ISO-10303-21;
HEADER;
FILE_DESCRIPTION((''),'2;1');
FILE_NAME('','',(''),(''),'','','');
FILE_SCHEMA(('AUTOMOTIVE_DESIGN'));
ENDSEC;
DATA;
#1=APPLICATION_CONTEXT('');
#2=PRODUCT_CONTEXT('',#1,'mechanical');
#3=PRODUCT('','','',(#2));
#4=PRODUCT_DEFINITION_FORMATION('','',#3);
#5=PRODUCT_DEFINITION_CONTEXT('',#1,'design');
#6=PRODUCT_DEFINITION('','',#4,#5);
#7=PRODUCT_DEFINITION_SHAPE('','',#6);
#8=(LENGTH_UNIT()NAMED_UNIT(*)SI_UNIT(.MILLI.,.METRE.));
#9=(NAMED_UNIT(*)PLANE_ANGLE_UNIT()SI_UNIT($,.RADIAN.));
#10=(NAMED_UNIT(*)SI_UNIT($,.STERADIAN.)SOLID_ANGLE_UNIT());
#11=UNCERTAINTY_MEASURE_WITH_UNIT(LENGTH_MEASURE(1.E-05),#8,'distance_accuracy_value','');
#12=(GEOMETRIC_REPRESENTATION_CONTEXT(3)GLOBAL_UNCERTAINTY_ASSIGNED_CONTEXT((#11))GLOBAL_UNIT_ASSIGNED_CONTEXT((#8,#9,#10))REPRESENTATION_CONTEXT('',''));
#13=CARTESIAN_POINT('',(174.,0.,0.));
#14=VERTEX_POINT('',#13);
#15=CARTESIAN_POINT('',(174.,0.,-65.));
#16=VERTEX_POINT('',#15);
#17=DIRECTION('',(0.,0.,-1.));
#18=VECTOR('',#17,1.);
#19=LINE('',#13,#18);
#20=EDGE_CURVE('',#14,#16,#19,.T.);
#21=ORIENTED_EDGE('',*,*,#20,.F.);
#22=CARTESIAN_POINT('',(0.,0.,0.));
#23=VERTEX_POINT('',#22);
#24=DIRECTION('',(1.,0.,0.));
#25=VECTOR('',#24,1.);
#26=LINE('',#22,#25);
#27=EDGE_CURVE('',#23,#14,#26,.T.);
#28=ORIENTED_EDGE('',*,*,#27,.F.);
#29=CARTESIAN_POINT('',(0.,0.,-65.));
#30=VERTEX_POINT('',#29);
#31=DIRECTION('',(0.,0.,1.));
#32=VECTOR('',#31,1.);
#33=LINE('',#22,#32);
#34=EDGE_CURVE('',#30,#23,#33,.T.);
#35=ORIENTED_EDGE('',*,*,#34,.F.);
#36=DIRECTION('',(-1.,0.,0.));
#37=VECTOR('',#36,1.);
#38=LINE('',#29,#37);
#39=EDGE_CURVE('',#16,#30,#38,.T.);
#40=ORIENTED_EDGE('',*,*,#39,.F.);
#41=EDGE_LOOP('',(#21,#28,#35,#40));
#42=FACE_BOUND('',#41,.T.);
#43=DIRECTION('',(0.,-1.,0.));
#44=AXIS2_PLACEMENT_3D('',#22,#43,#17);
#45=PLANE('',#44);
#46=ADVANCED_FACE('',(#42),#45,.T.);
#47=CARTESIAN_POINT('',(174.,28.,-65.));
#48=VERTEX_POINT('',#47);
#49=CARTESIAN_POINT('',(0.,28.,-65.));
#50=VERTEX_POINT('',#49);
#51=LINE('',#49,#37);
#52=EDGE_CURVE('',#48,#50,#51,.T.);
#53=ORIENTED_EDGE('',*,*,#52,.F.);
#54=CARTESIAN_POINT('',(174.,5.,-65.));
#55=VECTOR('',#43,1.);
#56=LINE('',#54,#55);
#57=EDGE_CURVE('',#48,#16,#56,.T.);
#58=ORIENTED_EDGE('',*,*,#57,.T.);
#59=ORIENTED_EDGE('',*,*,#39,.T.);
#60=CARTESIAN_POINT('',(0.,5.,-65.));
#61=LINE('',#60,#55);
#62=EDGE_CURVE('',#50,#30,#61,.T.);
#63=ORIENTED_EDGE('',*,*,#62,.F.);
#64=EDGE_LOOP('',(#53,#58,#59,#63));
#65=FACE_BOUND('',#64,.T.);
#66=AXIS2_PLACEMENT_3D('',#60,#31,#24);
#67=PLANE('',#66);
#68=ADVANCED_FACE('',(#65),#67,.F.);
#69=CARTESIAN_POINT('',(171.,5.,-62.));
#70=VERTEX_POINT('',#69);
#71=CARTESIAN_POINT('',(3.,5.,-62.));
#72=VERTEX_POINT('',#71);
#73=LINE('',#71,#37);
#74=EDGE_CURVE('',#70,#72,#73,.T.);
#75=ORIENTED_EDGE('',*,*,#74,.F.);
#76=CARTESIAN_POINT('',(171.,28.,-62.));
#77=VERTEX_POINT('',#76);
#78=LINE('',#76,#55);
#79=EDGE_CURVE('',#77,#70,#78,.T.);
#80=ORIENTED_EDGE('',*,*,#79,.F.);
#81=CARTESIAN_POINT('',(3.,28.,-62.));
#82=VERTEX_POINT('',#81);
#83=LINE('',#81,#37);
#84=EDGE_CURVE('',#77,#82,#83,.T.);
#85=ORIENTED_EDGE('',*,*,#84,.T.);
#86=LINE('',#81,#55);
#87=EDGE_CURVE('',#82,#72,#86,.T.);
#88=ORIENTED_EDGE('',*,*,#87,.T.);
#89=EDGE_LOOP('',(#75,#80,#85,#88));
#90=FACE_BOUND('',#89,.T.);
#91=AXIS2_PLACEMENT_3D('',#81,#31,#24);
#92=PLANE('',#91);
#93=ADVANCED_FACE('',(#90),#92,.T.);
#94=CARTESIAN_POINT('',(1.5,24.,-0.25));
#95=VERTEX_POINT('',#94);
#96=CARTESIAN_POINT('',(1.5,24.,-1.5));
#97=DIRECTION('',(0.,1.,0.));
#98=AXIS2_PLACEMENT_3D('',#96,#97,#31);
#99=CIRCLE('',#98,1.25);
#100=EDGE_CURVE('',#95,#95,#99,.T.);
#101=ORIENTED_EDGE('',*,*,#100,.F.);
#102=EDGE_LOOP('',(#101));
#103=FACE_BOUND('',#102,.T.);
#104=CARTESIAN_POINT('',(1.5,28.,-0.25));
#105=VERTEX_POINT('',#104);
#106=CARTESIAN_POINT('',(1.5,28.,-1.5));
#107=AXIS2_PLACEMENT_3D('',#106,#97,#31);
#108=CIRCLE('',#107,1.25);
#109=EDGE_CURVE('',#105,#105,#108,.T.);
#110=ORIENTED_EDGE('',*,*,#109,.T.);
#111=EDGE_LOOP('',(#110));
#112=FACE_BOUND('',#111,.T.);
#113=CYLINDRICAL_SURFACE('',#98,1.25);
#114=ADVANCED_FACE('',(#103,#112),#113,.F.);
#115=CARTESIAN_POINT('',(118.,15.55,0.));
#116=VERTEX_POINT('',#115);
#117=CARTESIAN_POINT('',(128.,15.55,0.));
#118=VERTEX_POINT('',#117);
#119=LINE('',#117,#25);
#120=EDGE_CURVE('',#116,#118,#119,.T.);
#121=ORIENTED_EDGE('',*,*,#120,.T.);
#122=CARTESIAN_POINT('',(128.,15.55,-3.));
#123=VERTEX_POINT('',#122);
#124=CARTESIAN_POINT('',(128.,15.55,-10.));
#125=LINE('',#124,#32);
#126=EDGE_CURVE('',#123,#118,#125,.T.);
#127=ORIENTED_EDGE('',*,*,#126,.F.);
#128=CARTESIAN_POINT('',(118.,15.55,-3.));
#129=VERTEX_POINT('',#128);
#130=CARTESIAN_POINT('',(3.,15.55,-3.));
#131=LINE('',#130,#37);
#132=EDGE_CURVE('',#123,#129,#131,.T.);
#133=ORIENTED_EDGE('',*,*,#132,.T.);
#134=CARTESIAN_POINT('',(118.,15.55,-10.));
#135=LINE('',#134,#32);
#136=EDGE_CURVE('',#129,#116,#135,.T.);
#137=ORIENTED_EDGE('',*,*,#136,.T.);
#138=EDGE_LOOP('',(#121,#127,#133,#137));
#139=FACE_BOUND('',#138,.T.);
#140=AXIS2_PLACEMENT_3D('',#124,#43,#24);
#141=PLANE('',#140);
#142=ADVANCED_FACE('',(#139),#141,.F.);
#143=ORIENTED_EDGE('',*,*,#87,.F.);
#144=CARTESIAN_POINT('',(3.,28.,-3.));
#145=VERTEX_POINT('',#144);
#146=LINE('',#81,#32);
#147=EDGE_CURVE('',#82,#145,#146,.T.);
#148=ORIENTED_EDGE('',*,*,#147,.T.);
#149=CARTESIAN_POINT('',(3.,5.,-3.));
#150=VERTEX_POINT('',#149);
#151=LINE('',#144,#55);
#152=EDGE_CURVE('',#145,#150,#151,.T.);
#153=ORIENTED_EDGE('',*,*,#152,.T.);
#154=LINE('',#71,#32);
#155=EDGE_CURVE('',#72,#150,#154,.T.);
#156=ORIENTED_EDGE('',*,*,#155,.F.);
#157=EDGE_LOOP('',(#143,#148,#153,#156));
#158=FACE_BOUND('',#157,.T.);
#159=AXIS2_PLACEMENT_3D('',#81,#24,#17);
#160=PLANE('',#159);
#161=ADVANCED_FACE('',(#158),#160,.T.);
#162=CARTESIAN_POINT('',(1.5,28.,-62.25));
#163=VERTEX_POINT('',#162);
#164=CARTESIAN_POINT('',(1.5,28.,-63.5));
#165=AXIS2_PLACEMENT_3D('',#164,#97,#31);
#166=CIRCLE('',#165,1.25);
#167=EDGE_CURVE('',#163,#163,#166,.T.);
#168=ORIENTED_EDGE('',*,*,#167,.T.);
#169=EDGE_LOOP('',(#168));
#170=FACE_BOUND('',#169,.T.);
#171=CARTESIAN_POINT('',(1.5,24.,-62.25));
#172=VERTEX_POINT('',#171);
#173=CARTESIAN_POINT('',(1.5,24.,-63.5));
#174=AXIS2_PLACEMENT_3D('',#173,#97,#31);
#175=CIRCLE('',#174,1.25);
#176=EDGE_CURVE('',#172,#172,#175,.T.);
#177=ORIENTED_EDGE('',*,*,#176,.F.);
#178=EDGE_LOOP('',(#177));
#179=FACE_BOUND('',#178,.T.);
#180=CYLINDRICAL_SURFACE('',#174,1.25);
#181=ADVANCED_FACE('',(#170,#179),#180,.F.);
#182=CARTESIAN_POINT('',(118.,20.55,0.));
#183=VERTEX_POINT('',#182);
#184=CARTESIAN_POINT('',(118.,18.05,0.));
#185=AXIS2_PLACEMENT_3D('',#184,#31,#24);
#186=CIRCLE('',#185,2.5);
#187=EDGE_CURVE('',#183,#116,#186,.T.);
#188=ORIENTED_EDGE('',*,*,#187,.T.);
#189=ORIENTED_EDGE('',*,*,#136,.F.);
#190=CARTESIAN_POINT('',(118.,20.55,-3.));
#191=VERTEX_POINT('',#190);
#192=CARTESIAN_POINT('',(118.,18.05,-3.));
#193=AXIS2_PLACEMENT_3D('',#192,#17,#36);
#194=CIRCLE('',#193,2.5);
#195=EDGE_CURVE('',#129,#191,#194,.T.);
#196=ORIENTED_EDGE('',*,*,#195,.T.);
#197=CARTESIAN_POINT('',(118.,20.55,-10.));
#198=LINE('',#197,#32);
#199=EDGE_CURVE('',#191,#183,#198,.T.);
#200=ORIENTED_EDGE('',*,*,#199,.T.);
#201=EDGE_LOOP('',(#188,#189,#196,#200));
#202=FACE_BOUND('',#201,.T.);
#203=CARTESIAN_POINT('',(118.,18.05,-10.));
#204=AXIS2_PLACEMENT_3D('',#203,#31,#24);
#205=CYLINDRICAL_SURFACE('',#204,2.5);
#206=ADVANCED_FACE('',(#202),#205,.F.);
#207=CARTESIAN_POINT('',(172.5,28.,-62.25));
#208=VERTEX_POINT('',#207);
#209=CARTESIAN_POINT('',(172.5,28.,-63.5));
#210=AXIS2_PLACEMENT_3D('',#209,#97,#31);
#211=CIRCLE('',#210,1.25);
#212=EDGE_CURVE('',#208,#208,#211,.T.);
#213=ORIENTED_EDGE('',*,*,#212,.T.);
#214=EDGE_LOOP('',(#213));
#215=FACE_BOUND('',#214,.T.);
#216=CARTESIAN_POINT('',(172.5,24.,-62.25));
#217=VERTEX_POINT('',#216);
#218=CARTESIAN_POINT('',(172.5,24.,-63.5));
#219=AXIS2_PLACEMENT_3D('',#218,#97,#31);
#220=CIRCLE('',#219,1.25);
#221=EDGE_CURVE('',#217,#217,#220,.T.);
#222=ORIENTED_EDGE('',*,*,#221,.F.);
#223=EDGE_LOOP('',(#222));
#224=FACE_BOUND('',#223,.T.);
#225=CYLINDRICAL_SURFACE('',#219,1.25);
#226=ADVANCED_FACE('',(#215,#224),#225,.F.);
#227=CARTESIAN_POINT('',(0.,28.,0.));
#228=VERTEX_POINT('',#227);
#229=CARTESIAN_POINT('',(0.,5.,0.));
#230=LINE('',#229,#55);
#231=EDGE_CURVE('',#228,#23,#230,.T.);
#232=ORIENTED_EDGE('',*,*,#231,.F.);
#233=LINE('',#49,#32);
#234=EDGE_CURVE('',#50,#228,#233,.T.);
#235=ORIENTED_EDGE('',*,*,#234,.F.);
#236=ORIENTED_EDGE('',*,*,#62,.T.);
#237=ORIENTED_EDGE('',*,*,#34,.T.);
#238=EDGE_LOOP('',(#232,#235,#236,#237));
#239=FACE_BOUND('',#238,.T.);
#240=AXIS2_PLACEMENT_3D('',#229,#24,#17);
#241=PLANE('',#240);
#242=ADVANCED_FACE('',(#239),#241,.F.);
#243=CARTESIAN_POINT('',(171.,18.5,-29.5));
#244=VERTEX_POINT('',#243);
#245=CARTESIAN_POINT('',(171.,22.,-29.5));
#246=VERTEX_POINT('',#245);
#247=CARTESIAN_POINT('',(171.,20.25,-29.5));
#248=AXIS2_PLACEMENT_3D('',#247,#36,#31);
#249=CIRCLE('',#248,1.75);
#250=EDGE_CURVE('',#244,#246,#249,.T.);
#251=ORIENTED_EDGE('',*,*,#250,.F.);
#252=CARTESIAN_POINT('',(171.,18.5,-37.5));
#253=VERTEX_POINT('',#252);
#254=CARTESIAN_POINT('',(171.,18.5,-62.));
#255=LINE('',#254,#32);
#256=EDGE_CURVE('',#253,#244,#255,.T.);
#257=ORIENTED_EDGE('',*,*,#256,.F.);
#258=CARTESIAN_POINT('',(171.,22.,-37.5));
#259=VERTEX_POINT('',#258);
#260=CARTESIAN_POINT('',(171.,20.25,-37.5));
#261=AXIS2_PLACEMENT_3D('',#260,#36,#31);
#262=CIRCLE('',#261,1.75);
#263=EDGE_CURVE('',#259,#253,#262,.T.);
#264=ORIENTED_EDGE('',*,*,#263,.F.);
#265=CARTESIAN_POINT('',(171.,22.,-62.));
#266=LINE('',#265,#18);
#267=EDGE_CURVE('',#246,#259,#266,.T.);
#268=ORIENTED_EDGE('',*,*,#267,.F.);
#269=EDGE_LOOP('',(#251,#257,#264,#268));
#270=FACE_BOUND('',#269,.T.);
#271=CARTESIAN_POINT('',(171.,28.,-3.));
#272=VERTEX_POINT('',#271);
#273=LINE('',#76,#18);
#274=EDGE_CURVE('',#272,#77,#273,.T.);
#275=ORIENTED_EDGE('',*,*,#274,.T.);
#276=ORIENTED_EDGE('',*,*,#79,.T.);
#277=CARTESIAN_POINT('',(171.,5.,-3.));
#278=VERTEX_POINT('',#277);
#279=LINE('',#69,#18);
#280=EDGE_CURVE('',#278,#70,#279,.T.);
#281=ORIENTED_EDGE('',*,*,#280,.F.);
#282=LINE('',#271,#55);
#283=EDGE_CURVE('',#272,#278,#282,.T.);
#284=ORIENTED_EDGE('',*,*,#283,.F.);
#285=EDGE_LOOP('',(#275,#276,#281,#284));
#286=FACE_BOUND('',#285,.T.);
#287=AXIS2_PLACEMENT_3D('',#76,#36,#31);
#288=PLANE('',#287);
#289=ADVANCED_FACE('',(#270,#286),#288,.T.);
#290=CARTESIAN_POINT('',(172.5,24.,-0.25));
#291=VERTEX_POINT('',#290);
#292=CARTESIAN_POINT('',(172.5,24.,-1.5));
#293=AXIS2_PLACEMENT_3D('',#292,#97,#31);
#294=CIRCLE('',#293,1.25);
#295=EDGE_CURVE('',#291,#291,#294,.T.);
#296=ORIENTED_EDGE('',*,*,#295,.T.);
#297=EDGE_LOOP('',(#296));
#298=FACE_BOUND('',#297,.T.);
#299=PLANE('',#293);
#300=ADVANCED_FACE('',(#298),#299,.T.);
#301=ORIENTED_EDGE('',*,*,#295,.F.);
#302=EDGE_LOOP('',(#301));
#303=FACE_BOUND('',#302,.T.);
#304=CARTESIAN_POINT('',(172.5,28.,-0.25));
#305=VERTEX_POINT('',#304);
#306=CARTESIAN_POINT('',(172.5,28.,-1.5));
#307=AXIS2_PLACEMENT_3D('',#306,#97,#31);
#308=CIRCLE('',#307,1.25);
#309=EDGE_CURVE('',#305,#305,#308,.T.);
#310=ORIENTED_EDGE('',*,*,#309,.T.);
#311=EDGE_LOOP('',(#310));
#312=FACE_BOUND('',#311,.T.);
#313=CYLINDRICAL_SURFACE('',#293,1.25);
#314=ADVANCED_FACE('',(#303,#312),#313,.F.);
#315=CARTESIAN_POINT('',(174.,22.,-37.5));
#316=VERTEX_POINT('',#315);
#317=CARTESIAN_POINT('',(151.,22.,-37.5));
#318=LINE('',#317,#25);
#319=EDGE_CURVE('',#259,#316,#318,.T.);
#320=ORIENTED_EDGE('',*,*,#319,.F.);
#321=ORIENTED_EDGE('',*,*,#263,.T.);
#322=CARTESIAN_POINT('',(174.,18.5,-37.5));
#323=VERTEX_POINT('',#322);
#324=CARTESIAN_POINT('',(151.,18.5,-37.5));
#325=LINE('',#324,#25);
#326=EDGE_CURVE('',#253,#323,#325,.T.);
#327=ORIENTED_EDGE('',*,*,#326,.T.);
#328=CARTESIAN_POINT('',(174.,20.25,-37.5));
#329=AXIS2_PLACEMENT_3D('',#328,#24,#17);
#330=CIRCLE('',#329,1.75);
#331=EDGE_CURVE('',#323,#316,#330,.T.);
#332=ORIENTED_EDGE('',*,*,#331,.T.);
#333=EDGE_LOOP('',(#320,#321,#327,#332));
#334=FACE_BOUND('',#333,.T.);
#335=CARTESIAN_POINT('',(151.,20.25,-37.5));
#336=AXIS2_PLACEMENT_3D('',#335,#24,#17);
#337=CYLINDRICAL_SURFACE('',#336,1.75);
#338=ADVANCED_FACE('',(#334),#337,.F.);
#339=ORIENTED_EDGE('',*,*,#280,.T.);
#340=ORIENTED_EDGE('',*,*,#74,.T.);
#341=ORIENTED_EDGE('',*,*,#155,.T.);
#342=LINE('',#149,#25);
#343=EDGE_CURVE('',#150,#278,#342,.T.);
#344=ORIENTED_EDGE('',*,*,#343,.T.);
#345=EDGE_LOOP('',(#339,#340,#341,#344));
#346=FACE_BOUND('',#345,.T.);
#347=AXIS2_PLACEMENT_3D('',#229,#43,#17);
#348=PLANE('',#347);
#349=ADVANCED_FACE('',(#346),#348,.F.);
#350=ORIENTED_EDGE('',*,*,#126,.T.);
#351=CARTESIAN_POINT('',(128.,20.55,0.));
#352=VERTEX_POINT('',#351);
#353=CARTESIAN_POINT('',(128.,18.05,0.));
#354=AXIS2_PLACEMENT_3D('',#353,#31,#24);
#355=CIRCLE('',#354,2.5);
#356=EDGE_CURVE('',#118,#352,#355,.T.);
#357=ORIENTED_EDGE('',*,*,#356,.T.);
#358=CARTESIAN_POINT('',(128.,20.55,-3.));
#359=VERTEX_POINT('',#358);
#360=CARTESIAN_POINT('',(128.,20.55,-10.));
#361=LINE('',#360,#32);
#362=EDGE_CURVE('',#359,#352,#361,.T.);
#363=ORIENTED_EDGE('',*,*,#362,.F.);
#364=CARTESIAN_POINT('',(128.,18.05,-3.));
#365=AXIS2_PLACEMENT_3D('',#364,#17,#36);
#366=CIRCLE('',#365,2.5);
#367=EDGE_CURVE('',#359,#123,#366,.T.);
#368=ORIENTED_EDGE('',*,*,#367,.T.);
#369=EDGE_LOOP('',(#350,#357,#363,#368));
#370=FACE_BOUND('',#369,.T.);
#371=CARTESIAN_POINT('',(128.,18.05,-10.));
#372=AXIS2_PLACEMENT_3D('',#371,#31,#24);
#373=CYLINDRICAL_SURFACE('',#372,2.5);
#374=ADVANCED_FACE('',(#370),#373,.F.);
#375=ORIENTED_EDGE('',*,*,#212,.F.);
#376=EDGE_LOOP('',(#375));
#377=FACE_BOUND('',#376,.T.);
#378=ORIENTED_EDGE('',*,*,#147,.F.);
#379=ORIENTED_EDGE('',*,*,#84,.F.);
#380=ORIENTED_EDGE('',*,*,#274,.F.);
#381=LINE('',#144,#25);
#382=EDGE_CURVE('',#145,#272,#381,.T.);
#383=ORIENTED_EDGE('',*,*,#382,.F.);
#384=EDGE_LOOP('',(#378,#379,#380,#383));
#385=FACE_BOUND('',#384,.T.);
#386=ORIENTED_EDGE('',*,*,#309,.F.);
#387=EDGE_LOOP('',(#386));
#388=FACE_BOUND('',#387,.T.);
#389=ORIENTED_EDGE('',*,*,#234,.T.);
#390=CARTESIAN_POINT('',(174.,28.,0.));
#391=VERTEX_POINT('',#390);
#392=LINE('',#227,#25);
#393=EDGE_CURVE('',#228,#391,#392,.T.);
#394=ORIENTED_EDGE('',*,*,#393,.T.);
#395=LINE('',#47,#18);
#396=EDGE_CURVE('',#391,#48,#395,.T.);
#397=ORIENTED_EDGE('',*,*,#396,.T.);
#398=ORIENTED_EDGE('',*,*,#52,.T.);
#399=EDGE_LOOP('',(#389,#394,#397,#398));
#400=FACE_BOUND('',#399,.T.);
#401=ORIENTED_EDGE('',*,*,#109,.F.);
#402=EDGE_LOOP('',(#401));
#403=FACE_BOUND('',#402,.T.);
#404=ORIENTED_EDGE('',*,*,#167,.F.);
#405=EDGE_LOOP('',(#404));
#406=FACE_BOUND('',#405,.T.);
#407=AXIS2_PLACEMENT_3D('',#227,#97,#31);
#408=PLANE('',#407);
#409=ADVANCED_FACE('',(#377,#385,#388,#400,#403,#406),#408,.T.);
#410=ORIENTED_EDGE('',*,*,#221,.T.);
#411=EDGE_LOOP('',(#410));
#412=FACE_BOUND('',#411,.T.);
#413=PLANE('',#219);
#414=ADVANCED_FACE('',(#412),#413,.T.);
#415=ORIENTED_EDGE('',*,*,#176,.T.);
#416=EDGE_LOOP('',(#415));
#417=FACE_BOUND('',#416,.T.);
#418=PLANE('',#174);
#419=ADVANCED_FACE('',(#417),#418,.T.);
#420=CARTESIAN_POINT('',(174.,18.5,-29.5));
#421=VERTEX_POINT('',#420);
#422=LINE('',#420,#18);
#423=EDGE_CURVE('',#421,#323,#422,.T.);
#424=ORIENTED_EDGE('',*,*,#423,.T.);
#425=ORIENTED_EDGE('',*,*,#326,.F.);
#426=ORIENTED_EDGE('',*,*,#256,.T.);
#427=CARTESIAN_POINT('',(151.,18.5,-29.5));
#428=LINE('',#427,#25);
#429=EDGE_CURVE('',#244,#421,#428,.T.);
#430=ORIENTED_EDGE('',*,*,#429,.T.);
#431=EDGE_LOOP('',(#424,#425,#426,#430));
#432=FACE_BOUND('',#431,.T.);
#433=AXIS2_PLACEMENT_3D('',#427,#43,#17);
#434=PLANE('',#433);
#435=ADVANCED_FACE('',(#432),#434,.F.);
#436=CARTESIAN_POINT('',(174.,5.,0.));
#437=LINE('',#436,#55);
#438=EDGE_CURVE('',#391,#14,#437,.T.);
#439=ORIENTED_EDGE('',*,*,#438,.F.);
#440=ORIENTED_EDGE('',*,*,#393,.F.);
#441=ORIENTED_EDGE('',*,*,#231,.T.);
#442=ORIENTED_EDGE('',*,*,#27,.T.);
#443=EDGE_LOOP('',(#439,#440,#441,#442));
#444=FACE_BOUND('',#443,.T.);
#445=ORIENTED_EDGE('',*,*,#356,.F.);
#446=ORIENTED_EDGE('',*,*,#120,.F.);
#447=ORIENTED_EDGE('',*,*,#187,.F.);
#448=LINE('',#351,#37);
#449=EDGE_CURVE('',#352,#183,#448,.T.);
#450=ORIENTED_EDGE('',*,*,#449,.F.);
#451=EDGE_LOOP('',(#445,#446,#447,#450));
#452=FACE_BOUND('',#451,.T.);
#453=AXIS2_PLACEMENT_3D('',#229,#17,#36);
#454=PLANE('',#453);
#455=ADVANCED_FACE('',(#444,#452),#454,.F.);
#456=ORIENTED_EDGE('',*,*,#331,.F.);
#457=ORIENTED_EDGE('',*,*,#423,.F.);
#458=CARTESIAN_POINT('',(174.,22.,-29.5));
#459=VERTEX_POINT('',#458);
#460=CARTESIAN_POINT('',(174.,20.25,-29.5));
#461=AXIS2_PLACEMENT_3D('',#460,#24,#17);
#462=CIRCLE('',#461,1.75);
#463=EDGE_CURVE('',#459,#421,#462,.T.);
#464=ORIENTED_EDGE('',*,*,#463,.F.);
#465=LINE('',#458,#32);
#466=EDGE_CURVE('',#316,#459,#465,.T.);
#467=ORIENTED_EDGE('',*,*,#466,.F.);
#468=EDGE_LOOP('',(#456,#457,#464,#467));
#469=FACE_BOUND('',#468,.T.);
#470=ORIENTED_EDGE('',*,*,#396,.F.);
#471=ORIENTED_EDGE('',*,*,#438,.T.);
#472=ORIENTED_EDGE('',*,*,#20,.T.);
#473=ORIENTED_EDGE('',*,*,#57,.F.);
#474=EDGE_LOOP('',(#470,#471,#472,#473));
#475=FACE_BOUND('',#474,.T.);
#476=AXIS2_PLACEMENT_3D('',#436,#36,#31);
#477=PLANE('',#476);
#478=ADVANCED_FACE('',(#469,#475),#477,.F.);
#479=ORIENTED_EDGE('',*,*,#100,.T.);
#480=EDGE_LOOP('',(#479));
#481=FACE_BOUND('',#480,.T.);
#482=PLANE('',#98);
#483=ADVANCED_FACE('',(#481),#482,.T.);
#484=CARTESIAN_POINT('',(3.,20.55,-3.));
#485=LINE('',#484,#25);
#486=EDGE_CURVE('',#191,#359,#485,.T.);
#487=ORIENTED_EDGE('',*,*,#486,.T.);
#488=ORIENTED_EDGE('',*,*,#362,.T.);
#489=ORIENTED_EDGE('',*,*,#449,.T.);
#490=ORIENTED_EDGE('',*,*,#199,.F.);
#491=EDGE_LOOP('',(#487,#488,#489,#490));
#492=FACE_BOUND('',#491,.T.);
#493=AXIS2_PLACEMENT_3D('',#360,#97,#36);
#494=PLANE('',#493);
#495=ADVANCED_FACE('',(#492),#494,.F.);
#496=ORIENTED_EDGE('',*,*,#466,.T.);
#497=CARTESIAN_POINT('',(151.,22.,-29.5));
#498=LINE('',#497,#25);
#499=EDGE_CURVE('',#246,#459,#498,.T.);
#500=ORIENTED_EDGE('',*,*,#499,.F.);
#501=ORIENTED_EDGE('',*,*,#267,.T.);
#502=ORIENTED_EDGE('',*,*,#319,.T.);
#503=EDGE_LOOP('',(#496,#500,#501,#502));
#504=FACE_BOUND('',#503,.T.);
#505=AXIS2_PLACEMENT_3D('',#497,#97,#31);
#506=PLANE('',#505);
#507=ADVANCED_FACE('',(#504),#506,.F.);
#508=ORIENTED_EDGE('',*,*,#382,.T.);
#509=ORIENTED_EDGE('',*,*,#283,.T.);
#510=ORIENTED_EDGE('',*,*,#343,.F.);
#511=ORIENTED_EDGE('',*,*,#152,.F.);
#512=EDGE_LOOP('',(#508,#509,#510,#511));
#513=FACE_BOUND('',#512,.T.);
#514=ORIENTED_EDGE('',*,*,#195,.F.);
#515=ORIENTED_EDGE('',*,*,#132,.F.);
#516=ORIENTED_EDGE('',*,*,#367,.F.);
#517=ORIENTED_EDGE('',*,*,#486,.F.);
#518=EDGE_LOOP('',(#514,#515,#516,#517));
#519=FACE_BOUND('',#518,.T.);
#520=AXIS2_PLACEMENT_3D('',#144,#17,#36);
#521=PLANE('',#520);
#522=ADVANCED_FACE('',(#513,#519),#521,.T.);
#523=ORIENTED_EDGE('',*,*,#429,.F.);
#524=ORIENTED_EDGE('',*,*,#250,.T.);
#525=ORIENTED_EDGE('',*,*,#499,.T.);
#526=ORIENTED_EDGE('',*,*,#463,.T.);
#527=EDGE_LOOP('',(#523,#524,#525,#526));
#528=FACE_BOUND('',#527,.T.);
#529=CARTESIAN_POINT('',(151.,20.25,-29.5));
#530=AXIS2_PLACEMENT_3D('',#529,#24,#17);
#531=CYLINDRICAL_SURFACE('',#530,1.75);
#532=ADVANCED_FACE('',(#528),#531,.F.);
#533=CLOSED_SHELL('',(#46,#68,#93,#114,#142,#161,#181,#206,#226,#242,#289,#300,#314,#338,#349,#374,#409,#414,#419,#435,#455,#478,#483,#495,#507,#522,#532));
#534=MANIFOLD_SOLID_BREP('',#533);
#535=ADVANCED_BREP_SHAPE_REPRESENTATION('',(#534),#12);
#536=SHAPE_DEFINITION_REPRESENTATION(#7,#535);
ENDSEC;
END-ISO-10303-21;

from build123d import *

# Parameters (mm, degrees)
SKETCH1_W            = 174
SKETCH1_H            = 65
BOSS_EXTRUDE1_DEPTH  = 5
SKETCH2_W            = 174
SKETCH2_H            = 65
SKETCH2_W_2          = 168
SKETCH2_H_2          = 59
BOSS_EXTRUDE2_DEPTH  = 23
CUT_EXTRUDE2_DEPTH   = 23
SKETCH4_R            = 1.25
CUT_EXTRUDE3_DEPTH   = 4
LPATTERN2_COUNT      = 2
LPATTERN2_PITCH      = 62
LPATTERN2_COUNT_DIR2 = 2
LPATTERN2_PITCH_DIR2 = 171
CUT_EXTRUDE4_DEPTH   = 10


with BuildPart() as part:
    # Sketch1 → Boss-Extrude1 (new body)
    with BuildSketch(Plane(origin=(0, 0, 0), x_dir=(1, 0, 0), z_dir=(0, 1, 0))):
        with Locations((87, 32.5)):
            Rectangle(SKETCH1_W, SKETCH1_H)
    extrude(amount=BOSS_EXTRUDE1_DEPTH)

    # Sketch2 → Boss-Extrude2 (add)
    with BuildSketch(Plane(origin=(0, 5, 0), x_dir=(1, 0, 0), z_dir=(0, 1, 0))):
        with Locations((87, 32.5)):
            Rectangle(SKETCH2_W, SKETCH2_H)
        with Locations((87, 32.5)):
            Rectangle(SKETCH2_W_2, SKETCH2_H_2, mode=Mode.SUBTRACT)
    extrude(amount=BOSS_EXTRUDE2_DEPTH)

    # Sketch3 → Cut-Extrude2 (cut)
    with BuildSketch(Plane(origin=(174, 0, 0), x_dir=(0, 0, -1), z_dir=(1, 0, 0))):
        with BuildLine():
            Line((29.5, 22), (37.5, 22))
            ThreePointArc((37.5, 22), (39.25, 20.25), (37.5, 18.5))
            Line((37.5, 18.5), (29.5, 18.5))
            ThreePointArc((29.5, 18.5), (27.75, 20.25), (29.5, 22))
        make_face()
    extrude(amount=-CUT_EXTRUDE2_DEPTH, mode=Mode.SUBTRACT)

    # Sketch4 → Cut-Extrude3 (cut)
    with BuildSketch(Plane(origin=(0, 28, 0), x_dir=(1, 0, 0), z_dir=(0, 1, 0))):
        with Locations((1.5, 1.5)):
            Circle(SKETCH4_R)
    cut_extrude3 = extrude(amount=-CUT_EXTRUDE3_DEPTH, mode=Mode.SUBTRACT)

    # LPattern2: Cut-Extrude3 2 × 2
    with Locations(*[(j * LPATTERN2_PITCH_DIR2, 0, -i * LPATTERN2_PITCH) for i in range(LPATTERN2_COUNT) for j in range(LPATTERN2_COUNT_DIR2) if (i, j) != (0, 0)]):
        add(cut_extrude3, mode=Mode.SUBTRACT)

    # Sketch5 → Cut-Extrude4 (cut)
    with BuildSketch(Plane.XY):
        with BuildLine():
            Line((128, 15.55), (118, 15.55))
            ThreePointArc((118, 15.55), (115.5, 18.05), (118, 20.55))
            Line((118, 20.55), (128, 20.55))
            ThreePointArc((128, 20.55), (130.5, 18.05), (128, 15.55))
        make_face()
    extrude(amount=-CUT_EXTRUDE4_DEPTH, mode=Mode.SUBTRACT)


solid = part.part
